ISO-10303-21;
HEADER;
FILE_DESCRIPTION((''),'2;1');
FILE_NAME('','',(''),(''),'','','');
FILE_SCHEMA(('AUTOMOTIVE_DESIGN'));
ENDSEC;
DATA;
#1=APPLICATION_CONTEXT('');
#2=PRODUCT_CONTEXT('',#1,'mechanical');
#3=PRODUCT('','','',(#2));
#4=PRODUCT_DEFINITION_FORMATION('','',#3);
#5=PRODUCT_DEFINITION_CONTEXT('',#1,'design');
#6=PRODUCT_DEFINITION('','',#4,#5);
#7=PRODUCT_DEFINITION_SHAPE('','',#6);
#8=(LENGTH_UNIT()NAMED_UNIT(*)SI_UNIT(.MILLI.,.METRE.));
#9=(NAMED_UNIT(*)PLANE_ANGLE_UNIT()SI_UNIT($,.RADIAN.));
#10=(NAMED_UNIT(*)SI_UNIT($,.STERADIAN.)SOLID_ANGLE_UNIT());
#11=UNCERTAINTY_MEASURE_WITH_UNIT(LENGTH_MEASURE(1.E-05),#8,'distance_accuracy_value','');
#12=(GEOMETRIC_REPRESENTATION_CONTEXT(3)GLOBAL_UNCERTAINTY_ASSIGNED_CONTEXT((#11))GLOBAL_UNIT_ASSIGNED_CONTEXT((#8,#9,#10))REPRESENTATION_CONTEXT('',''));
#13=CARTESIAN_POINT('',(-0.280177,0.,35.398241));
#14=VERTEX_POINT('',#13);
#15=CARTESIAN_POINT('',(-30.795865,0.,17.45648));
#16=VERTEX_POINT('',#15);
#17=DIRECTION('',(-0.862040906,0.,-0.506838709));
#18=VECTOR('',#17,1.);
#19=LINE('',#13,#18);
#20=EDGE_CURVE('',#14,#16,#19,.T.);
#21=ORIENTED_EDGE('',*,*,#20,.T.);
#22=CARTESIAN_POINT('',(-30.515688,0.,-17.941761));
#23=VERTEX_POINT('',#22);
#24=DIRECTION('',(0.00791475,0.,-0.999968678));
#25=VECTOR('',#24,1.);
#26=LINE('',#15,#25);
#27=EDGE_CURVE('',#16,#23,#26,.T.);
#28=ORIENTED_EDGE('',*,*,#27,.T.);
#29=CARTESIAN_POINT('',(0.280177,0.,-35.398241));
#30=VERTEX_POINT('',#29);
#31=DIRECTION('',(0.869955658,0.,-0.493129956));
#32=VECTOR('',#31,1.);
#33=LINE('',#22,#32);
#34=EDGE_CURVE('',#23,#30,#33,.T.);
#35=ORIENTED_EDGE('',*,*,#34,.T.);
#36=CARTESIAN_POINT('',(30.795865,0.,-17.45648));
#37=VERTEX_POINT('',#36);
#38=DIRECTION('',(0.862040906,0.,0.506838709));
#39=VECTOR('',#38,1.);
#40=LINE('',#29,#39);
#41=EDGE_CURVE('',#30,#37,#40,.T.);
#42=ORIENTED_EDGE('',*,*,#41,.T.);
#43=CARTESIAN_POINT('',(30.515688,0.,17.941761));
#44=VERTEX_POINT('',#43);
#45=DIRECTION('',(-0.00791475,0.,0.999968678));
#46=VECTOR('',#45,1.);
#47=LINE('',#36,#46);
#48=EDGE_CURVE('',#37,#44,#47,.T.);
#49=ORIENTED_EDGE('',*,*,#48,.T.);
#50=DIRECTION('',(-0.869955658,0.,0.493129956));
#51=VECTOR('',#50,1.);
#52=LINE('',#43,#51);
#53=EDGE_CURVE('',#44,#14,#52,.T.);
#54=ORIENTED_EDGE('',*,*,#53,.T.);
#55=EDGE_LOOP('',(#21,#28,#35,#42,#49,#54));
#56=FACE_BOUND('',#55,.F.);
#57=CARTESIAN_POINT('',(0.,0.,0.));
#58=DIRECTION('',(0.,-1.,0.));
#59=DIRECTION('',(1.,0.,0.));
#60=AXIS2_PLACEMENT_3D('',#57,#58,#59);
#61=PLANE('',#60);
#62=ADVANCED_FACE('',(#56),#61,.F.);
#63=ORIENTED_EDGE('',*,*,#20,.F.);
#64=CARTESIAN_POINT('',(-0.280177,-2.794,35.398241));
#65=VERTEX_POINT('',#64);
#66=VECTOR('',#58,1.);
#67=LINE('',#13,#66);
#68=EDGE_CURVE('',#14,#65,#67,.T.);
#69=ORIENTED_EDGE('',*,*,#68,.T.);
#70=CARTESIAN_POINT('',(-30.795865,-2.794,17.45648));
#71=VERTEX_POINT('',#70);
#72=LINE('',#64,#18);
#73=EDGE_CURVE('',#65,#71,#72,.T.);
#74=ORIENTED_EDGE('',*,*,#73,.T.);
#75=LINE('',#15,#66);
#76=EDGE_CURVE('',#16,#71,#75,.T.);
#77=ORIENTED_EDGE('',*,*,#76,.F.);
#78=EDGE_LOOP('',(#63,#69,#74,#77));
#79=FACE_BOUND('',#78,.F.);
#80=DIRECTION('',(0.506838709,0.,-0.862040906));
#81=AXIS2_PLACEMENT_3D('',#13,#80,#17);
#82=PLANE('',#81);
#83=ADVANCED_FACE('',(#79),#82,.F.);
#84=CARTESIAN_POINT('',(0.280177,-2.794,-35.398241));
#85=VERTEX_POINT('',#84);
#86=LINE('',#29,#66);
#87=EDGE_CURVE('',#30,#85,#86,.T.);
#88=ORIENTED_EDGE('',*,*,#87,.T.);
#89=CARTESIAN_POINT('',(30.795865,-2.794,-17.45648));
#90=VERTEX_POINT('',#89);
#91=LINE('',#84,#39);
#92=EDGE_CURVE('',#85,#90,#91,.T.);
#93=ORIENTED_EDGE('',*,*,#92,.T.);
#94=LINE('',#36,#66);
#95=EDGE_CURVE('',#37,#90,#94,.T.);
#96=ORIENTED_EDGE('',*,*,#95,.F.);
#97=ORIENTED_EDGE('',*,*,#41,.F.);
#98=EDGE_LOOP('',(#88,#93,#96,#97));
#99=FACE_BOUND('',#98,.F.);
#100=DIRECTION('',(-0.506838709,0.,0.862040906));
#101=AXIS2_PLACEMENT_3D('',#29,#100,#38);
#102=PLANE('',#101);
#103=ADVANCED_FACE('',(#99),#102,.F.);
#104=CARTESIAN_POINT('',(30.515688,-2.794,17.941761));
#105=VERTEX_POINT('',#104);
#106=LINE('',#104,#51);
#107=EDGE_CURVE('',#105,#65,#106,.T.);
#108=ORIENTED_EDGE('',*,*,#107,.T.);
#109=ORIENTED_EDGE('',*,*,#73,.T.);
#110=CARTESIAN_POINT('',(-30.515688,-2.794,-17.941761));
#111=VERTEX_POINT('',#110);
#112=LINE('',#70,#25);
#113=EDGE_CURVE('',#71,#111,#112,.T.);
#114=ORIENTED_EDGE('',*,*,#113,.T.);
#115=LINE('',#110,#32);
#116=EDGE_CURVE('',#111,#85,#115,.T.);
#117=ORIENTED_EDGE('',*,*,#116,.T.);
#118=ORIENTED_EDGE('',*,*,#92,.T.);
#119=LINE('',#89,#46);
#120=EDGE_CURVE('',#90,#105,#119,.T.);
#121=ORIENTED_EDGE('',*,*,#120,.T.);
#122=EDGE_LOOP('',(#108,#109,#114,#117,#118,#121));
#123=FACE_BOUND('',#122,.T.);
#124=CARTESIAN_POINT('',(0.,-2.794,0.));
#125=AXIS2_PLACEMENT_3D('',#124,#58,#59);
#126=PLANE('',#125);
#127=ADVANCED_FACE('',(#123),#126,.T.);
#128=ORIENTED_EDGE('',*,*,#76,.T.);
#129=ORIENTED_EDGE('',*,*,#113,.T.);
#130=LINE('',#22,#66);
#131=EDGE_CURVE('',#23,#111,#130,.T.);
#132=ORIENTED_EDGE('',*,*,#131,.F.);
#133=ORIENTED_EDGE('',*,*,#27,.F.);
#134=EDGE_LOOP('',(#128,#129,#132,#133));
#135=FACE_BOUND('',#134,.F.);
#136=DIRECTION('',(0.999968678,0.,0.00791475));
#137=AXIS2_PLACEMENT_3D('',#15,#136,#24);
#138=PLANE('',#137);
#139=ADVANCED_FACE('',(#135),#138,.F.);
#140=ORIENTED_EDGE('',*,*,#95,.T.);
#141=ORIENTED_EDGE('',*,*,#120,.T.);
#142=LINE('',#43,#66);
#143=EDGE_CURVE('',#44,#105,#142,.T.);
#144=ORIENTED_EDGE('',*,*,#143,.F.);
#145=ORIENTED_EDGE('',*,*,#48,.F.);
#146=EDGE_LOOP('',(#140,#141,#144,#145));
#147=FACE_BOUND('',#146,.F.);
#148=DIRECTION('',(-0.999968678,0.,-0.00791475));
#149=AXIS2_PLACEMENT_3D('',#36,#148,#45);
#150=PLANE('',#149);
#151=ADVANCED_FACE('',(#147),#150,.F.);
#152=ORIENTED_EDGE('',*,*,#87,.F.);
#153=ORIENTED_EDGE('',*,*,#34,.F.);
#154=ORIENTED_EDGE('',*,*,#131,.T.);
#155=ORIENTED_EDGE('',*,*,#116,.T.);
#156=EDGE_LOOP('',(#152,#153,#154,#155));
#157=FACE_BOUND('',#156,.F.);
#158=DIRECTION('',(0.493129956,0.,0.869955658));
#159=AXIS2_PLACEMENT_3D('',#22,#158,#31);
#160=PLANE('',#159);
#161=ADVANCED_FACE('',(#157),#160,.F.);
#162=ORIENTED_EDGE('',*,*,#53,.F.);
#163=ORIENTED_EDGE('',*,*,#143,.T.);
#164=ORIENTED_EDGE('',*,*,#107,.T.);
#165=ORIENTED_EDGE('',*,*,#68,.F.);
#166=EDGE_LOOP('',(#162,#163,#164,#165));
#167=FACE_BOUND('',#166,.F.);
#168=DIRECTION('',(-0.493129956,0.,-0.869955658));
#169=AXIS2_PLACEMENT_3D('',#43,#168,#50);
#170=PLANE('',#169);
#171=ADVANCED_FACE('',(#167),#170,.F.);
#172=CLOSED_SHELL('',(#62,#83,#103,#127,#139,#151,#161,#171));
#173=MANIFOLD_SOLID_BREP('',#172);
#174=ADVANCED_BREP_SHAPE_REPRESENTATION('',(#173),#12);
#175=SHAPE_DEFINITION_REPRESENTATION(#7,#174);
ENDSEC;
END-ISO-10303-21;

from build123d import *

# Parameters (mm, degrees)
F0_R     = 13.650636
F1_DEPTH = 2.794


with BuildPart() as f1:
    # F0 (on Front) → F1 (new body)
    with BuildSketch(Plane.XZ):
        Polygon((30.515688, 17.941761), (-0.280177, 35.398241), (-30.795865, 17.45648), (-30.515688, -17.941761), (0.280177, -35.398241), (30.795865, -17.45648), align=None)
        Circle(F0_R, mode=Mode.SUBTRACT)
        Circle(F0_R)
    extrude(amount=F1_DEPTH)


solid = f1.part
